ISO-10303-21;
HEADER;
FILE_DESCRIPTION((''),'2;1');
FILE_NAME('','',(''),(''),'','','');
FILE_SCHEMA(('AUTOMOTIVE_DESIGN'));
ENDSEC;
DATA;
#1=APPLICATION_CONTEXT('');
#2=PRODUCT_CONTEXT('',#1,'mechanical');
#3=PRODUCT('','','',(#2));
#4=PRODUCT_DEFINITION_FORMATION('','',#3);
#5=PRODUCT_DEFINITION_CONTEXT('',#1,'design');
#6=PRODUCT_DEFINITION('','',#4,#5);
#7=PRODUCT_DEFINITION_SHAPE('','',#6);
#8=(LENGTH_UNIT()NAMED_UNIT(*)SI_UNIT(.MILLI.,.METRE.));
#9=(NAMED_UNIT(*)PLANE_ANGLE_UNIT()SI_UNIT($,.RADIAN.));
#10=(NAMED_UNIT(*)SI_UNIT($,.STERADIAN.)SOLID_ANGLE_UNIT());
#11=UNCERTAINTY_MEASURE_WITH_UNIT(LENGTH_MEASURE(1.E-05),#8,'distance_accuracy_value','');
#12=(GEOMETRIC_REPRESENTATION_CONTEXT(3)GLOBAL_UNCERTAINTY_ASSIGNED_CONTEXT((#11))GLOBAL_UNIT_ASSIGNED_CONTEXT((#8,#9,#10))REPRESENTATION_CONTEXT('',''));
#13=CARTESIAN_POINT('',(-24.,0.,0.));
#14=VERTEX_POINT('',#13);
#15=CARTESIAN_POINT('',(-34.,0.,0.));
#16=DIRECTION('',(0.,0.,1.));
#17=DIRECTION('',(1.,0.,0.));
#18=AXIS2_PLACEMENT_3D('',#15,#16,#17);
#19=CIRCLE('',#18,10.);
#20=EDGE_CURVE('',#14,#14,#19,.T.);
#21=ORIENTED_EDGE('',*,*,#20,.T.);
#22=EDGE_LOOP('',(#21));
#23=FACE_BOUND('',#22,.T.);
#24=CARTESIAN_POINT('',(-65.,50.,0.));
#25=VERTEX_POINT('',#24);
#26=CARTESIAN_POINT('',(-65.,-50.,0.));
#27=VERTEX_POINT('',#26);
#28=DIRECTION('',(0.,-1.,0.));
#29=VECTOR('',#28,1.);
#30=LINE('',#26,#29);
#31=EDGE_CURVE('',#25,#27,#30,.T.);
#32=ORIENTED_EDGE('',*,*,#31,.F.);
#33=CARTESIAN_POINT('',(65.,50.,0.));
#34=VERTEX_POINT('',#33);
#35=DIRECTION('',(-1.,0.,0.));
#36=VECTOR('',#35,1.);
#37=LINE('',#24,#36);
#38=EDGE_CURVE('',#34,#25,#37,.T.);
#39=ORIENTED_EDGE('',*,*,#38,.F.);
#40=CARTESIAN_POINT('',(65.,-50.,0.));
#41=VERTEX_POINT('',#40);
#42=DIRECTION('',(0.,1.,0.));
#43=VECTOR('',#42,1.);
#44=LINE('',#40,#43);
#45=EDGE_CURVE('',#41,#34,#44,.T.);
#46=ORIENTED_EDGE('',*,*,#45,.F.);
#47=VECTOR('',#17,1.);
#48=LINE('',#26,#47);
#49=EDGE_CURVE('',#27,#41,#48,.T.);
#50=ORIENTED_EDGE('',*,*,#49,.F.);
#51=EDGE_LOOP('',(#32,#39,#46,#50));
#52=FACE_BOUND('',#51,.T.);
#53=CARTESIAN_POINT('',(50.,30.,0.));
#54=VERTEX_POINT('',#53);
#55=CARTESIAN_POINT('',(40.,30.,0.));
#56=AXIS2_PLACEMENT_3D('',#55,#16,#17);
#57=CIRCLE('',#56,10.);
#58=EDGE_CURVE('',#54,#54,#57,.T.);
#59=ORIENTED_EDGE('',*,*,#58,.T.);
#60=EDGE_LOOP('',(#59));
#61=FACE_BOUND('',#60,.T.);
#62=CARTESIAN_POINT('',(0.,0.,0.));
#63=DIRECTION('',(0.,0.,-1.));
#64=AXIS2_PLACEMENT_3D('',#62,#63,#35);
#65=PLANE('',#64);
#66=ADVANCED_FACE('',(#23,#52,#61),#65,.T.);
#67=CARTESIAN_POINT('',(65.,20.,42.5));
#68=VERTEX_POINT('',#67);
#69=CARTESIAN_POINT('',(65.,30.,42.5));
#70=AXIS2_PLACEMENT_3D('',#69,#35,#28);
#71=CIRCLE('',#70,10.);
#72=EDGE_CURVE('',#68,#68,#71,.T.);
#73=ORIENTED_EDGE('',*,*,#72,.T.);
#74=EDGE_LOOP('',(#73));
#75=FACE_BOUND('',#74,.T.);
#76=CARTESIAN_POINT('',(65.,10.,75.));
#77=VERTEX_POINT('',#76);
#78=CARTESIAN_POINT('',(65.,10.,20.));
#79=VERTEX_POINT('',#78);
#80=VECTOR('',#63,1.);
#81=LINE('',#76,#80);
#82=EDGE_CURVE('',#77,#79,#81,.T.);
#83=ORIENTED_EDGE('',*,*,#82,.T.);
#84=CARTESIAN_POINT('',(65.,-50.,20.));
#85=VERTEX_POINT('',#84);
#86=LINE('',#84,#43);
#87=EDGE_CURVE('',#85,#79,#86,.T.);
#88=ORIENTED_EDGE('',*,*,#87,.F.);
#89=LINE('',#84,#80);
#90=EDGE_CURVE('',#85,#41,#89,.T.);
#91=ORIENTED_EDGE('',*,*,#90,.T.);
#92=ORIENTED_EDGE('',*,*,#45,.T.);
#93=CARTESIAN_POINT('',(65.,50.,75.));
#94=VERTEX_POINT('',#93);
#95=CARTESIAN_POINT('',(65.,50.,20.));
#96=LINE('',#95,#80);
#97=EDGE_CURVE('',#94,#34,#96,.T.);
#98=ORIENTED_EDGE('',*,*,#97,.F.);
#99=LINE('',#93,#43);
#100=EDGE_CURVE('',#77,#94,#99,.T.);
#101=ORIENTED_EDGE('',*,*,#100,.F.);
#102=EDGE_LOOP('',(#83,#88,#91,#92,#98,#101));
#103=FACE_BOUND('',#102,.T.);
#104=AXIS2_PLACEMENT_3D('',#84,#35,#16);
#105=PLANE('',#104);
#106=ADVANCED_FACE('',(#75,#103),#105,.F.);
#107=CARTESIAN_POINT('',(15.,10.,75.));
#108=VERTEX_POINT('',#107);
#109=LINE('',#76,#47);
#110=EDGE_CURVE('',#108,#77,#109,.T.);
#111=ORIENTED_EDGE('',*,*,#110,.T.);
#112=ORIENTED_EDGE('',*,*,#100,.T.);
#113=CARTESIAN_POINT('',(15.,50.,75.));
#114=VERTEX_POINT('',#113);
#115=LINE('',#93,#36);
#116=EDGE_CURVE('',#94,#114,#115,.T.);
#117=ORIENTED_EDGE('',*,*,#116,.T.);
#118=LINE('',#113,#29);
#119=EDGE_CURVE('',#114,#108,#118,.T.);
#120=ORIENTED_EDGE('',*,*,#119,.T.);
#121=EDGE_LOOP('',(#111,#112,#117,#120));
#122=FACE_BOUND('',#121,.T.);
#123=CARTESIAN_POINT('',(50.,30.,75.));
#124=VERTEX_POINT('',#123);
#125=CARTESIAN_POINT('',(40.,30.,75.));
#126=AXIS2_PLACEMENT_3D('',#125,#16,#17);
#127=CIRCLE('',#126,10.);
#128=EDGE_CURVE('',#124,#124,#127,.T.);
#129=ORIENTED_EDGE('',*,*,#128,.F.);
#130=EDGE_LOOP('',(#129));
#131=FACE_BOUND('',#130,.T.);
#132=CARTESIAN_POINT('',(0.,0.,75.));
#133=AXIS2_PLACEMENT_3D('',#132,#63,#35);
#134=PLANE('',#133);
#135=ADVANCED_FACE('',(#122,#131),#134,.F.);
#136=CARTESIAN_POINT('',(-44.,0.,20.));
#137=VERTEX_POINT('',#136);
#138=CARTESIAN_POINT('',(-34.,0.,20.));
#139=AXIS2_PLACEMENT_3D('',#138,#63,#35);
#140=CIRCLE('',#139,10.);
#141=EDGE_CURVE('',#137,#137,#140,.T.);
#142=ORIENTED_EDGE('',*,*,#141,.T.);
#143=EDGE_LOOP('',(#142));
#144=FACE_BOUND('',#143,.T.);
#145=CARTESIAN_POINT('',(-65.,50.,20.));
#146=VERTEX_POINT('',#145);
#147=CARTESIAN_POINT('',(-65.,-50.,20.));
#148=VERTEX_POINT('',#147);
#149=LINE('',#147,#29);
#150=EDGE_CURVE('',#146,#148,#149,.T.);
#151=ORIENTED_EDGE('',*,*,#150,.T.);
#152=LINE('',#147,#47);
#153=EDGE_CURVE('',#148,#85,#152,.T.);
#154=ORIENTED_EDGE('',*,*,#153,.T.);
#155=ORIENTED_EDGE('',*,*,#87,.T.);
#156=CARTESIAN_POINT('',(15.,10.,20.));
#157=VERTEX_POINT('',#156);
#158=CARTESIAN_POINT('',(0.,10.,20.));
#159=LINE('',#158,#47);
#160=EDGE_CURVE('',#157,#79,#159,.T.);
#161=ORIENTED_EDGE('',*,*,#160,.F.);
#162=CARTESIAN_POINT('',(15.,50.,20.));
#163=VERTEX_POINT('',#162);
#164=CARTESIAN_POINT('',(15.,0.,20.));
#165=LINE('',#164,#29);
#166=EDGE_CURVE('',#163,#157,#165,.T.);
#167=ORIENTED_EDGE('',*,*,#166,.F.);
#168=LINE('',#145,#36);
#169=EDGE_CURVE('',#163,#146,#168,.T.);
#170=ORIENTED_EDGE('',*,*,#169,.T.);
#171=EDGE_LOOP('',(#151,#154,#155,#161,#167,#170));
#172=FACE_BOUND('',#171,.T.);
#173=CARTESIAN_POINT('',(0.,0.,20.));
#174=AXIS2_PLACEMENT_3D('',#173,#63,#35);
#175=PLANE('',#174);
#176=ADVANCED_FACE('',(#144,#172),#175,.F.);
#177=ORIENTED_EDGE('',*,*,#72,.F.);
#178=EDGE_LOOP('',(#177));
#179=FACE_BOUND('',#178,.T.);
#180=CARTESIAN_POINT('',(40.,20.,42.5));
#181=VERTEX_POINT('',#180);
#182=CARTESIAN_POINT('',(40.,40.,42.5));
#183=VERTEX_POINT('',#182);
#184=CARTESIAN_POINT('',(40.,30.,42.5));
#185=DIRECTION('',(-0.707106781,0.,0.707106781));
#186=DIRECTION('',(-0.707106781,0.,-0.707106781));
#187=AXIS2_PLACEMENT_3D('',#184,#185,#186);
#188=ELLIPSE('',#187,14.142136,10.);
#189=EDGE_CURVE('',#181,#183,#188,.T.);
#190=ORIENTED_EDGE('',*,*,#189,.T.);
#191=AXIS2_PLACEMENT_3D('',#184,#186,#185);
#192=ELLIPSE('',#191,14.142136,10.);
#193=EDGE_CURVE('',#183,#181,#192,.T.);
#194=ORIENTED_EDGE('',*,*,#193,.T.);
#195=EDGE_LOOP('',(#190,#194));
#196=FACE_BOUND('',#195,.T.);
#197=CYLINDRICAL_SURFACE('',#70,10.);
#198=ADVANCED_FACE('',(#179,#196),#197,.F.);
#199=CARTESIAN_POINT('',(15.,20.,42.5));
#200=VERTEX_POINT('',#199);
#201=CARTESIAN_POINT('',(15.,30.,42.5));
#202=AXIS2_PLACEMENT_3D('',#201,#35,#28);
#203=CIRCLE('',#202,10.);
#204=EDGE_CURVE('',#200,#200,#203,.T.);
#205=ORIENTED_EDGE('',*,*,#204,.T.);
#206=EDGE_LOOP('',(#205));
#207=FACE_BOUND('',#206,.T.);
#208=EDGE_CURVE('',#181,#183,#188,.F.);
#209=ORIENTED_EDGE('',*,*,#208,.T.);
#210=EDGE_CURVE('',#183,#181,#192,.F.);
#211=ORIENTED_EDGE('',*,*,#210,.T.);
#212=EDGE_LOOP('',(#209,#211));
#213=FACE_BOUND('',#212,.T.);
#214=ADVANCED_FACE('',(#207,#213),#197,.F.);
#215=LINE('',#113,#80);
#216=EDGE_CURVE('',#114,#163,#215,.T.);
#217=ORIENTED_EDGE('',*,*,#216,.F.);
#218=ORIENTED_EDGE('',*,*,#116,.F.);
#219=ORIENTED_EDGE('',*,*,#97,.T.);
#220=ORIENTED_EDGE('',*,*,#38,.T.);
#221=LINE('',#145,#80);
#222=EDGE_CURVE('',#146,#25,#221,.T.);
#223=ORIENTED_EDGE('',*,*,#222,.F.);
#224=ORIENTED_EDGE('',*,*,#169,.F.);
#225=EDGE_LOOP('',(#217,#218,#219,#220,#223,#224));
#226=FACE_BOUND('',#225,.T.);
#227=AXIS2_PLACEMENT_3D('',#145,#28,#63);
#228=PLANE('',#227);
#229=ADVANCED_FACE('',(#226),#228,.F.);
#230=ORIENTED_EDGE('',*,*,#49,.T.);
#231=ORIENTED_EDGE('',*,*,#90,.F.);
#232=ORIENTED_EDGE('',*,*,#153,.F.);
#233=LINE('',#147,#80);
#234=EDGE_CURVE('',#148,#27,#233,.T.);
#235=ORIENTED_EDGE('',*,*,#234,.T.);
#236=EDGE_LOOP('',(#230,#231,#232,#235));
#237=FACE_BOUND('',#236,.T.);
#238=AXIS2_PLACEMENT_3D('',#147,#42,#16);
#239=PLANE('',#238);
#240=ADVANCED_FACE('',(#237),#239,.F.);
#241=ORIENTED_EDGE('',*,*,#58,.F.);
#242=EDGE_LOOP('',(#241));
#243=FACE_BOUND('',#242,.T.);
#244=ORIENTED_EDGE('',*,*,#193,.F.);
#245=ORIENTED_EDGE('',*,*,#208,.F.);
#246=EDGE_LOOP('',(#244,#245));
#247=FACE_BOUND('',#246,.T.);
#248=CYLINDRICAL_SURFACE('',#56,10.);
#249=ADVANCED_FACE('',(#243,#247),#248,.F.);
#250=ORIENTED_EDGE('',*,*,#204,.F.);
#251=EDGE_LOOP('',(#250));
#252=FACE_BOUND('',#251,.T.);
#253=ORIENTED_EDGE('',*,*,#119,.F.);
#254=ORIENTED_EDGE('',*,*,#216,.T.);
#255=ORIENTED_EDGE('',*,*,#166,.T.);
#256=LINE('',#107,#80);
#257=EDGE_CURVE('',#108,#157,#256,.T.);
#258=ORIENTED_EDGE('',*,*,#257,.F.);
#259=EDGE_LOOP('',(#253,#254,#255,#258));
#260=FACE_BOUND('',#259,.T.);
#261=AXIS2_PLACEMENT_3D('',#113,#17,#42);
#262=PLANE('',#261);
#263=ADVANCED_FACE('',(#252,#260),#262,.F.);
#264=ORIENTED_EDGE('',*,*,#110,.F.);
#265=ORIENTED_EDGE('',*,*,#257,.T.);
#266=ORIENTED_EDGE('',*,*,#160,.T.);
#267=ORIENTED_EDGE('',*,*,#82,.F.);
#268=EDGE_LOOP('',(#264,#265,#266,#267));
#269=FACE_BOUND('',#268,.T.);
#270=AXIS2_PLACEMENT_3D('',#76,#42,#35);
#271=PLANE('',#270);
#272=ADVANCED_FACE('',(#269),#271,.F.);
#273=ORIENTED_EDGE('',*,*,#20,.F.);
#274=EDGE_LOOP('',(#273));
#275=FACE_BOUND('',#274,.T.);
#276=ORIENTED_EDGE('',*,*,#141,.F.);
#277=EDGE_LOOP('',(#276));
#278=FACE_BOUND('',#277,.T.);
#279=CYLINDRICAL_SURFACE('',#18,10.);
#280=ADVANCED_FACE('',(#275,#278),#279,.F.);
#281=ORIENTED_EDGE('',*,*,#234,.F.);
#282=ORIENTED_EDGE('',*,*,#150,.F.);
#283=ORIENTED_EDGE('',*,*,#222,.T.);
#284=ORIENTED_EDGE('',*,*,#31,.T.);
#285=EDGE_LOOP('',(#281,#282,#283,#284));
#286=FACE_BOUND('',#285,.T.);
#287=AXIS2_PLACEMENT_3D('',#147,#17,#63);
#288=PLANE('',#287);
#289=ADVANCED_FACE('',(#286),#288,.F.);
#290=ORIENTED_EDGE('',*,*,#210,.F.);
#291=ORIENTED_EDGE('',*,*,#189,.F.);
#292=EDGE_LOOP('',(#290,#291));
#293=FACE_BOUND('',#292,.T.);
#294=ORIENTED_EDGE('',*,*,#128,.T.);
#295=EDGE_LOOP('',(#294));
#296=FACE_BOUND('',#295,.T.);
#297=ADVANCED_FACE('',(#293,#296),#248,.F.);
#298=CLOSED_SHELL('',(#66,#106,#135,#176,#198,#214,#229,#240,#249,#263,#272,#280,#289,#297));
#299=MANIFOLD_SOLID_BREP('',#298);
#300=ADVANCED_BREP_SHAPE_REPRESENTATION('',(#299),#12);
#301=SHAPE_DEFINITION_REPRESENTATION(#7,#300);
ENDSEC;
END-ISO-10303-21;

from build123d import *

# Parameters (mm, degrees)
SKETCH_1_W          = 130
SKETCH_1_H          = 100
EXTRUDE_1_DEPTH     = 20
SKETCH_2_W          = 60
SKETCH_2_H          = 76
SKETCH_2_W_2        = 38
CUT_EXTRUDE_1_DEPTH = 10
SKETCH_3_W          = 50
SKETCH_3_H          = 40
EXTRUDE_2_DEPTH     = 65
SKETCH_4_R          = 10
CUT_EXTRUDE_2_DEPTH = 105.642247682
SKETCH_5_R          = 10
CUT_EXTRUDE_3_DEPTH = 121.519707932
SKETCH_6_R          = 10
CUT_EXTRUDE_4_DEPTH = 112.130553854
EXTRUDE_START       = 10
SKETCH_7_W          = 38
SKETCH_7_H          = 76
SKETCH_7_R          = 10
EXTRUDE_3_DEPTH     = 10


with BuildPart() as part:
    # Эскиз1 → Бобышка-Вытянуть1 (new body)
    with BuildSketch(Plane.XY):
        Rectangle(SKETCH_1_W, SKETCH_1_H)
    extrude(amount=EXTRUDE_1_DEPTH)

    # Эскиз2 → Вырез-Вытянуть1 (cut)
    with BuildSketch(Plane.XY.offset(20)):
        with Locations((23, 0)):
            Rectangle(SKETCH_2_W, SKETCH_2_H)
        with Locations((-34, 0)):
            Rectangle(SKETCH_2_W_2, SKETCH_2_H)
    extrude(amount=-CUT_EXTRUDE_1_DEPTH, mode=Mode.SUBTRACT)

    # Эскиз3 → Бобышка-Вытянуть2 (add)
    with BuildSketch(Plane.XY.offset(10)):
        with Locations((40, 30)):
            Rectangle(SKETCH_3_W, SKETCH_3_H)
    extrude(amount=EXTRUDE_2_DEPTH)

    # Эскиз4 → Вырез-Вытянуть2 (cut, through all)
    with BuildSketch(Plane.XY.offset(10)):
        with Locations((-34, 0)):
            Circle(SKETCH_4_R)
    extrude(amount=-CUT_EXTRUDE_2_DEPTH, mode=Mode.SUBTRACT)

    # Эскиз5 → Вырез-Вытянуть3 (cut, through all)
    with BuildSketch(Plane.ZY.offset(-15)):
        with Locations(Location((42.5, 30, 0), (0, 0, 270))):
            Circle(SKETCH_5_R)
    extrude(amount=-CUT_EXTRUDE_3_DEPTH, mode=Mode.SUBTRACT)

    # Эскиз6 → Вырез-Вытянуть4 (cut, through all)
    with BuildSketch(Plane.XY.offset(75)):
        with Locations((40, 30)):
            Circle(SKETCH_6_R)
    extrude(amount=-CUT_EXTRUDE_4_DEPTH, mode=Mode.SUBTRACT)

    # Эскиз7 → Бобышка-Вытянуть3 (add)
    # profile 1 of 2: a face of its own
    with BuildSketch(Plane.XY.offset(10).offset(EXTRUDE_START)):
        Polygon((15, 10), (15, 38), (-7, 38), (-7, -38), (53, -38), (53, 10), align=None)
    # profile 2 of 2: a face of its own
    with BuildSketch(Plane.XY.offset(10).offset(EXTRUDE_START)):
        with Locations((-34, 0)):
            Rectangle(SKETCH_7_W, SKETCH_7_H)
        with Locations((-34, 0)):
            Circle(SKETCH_7_R, mode=Mode.SUBTRACT)
    extrude(amount=-EXTRUDE_3_DEPTH)


solid = part.part
